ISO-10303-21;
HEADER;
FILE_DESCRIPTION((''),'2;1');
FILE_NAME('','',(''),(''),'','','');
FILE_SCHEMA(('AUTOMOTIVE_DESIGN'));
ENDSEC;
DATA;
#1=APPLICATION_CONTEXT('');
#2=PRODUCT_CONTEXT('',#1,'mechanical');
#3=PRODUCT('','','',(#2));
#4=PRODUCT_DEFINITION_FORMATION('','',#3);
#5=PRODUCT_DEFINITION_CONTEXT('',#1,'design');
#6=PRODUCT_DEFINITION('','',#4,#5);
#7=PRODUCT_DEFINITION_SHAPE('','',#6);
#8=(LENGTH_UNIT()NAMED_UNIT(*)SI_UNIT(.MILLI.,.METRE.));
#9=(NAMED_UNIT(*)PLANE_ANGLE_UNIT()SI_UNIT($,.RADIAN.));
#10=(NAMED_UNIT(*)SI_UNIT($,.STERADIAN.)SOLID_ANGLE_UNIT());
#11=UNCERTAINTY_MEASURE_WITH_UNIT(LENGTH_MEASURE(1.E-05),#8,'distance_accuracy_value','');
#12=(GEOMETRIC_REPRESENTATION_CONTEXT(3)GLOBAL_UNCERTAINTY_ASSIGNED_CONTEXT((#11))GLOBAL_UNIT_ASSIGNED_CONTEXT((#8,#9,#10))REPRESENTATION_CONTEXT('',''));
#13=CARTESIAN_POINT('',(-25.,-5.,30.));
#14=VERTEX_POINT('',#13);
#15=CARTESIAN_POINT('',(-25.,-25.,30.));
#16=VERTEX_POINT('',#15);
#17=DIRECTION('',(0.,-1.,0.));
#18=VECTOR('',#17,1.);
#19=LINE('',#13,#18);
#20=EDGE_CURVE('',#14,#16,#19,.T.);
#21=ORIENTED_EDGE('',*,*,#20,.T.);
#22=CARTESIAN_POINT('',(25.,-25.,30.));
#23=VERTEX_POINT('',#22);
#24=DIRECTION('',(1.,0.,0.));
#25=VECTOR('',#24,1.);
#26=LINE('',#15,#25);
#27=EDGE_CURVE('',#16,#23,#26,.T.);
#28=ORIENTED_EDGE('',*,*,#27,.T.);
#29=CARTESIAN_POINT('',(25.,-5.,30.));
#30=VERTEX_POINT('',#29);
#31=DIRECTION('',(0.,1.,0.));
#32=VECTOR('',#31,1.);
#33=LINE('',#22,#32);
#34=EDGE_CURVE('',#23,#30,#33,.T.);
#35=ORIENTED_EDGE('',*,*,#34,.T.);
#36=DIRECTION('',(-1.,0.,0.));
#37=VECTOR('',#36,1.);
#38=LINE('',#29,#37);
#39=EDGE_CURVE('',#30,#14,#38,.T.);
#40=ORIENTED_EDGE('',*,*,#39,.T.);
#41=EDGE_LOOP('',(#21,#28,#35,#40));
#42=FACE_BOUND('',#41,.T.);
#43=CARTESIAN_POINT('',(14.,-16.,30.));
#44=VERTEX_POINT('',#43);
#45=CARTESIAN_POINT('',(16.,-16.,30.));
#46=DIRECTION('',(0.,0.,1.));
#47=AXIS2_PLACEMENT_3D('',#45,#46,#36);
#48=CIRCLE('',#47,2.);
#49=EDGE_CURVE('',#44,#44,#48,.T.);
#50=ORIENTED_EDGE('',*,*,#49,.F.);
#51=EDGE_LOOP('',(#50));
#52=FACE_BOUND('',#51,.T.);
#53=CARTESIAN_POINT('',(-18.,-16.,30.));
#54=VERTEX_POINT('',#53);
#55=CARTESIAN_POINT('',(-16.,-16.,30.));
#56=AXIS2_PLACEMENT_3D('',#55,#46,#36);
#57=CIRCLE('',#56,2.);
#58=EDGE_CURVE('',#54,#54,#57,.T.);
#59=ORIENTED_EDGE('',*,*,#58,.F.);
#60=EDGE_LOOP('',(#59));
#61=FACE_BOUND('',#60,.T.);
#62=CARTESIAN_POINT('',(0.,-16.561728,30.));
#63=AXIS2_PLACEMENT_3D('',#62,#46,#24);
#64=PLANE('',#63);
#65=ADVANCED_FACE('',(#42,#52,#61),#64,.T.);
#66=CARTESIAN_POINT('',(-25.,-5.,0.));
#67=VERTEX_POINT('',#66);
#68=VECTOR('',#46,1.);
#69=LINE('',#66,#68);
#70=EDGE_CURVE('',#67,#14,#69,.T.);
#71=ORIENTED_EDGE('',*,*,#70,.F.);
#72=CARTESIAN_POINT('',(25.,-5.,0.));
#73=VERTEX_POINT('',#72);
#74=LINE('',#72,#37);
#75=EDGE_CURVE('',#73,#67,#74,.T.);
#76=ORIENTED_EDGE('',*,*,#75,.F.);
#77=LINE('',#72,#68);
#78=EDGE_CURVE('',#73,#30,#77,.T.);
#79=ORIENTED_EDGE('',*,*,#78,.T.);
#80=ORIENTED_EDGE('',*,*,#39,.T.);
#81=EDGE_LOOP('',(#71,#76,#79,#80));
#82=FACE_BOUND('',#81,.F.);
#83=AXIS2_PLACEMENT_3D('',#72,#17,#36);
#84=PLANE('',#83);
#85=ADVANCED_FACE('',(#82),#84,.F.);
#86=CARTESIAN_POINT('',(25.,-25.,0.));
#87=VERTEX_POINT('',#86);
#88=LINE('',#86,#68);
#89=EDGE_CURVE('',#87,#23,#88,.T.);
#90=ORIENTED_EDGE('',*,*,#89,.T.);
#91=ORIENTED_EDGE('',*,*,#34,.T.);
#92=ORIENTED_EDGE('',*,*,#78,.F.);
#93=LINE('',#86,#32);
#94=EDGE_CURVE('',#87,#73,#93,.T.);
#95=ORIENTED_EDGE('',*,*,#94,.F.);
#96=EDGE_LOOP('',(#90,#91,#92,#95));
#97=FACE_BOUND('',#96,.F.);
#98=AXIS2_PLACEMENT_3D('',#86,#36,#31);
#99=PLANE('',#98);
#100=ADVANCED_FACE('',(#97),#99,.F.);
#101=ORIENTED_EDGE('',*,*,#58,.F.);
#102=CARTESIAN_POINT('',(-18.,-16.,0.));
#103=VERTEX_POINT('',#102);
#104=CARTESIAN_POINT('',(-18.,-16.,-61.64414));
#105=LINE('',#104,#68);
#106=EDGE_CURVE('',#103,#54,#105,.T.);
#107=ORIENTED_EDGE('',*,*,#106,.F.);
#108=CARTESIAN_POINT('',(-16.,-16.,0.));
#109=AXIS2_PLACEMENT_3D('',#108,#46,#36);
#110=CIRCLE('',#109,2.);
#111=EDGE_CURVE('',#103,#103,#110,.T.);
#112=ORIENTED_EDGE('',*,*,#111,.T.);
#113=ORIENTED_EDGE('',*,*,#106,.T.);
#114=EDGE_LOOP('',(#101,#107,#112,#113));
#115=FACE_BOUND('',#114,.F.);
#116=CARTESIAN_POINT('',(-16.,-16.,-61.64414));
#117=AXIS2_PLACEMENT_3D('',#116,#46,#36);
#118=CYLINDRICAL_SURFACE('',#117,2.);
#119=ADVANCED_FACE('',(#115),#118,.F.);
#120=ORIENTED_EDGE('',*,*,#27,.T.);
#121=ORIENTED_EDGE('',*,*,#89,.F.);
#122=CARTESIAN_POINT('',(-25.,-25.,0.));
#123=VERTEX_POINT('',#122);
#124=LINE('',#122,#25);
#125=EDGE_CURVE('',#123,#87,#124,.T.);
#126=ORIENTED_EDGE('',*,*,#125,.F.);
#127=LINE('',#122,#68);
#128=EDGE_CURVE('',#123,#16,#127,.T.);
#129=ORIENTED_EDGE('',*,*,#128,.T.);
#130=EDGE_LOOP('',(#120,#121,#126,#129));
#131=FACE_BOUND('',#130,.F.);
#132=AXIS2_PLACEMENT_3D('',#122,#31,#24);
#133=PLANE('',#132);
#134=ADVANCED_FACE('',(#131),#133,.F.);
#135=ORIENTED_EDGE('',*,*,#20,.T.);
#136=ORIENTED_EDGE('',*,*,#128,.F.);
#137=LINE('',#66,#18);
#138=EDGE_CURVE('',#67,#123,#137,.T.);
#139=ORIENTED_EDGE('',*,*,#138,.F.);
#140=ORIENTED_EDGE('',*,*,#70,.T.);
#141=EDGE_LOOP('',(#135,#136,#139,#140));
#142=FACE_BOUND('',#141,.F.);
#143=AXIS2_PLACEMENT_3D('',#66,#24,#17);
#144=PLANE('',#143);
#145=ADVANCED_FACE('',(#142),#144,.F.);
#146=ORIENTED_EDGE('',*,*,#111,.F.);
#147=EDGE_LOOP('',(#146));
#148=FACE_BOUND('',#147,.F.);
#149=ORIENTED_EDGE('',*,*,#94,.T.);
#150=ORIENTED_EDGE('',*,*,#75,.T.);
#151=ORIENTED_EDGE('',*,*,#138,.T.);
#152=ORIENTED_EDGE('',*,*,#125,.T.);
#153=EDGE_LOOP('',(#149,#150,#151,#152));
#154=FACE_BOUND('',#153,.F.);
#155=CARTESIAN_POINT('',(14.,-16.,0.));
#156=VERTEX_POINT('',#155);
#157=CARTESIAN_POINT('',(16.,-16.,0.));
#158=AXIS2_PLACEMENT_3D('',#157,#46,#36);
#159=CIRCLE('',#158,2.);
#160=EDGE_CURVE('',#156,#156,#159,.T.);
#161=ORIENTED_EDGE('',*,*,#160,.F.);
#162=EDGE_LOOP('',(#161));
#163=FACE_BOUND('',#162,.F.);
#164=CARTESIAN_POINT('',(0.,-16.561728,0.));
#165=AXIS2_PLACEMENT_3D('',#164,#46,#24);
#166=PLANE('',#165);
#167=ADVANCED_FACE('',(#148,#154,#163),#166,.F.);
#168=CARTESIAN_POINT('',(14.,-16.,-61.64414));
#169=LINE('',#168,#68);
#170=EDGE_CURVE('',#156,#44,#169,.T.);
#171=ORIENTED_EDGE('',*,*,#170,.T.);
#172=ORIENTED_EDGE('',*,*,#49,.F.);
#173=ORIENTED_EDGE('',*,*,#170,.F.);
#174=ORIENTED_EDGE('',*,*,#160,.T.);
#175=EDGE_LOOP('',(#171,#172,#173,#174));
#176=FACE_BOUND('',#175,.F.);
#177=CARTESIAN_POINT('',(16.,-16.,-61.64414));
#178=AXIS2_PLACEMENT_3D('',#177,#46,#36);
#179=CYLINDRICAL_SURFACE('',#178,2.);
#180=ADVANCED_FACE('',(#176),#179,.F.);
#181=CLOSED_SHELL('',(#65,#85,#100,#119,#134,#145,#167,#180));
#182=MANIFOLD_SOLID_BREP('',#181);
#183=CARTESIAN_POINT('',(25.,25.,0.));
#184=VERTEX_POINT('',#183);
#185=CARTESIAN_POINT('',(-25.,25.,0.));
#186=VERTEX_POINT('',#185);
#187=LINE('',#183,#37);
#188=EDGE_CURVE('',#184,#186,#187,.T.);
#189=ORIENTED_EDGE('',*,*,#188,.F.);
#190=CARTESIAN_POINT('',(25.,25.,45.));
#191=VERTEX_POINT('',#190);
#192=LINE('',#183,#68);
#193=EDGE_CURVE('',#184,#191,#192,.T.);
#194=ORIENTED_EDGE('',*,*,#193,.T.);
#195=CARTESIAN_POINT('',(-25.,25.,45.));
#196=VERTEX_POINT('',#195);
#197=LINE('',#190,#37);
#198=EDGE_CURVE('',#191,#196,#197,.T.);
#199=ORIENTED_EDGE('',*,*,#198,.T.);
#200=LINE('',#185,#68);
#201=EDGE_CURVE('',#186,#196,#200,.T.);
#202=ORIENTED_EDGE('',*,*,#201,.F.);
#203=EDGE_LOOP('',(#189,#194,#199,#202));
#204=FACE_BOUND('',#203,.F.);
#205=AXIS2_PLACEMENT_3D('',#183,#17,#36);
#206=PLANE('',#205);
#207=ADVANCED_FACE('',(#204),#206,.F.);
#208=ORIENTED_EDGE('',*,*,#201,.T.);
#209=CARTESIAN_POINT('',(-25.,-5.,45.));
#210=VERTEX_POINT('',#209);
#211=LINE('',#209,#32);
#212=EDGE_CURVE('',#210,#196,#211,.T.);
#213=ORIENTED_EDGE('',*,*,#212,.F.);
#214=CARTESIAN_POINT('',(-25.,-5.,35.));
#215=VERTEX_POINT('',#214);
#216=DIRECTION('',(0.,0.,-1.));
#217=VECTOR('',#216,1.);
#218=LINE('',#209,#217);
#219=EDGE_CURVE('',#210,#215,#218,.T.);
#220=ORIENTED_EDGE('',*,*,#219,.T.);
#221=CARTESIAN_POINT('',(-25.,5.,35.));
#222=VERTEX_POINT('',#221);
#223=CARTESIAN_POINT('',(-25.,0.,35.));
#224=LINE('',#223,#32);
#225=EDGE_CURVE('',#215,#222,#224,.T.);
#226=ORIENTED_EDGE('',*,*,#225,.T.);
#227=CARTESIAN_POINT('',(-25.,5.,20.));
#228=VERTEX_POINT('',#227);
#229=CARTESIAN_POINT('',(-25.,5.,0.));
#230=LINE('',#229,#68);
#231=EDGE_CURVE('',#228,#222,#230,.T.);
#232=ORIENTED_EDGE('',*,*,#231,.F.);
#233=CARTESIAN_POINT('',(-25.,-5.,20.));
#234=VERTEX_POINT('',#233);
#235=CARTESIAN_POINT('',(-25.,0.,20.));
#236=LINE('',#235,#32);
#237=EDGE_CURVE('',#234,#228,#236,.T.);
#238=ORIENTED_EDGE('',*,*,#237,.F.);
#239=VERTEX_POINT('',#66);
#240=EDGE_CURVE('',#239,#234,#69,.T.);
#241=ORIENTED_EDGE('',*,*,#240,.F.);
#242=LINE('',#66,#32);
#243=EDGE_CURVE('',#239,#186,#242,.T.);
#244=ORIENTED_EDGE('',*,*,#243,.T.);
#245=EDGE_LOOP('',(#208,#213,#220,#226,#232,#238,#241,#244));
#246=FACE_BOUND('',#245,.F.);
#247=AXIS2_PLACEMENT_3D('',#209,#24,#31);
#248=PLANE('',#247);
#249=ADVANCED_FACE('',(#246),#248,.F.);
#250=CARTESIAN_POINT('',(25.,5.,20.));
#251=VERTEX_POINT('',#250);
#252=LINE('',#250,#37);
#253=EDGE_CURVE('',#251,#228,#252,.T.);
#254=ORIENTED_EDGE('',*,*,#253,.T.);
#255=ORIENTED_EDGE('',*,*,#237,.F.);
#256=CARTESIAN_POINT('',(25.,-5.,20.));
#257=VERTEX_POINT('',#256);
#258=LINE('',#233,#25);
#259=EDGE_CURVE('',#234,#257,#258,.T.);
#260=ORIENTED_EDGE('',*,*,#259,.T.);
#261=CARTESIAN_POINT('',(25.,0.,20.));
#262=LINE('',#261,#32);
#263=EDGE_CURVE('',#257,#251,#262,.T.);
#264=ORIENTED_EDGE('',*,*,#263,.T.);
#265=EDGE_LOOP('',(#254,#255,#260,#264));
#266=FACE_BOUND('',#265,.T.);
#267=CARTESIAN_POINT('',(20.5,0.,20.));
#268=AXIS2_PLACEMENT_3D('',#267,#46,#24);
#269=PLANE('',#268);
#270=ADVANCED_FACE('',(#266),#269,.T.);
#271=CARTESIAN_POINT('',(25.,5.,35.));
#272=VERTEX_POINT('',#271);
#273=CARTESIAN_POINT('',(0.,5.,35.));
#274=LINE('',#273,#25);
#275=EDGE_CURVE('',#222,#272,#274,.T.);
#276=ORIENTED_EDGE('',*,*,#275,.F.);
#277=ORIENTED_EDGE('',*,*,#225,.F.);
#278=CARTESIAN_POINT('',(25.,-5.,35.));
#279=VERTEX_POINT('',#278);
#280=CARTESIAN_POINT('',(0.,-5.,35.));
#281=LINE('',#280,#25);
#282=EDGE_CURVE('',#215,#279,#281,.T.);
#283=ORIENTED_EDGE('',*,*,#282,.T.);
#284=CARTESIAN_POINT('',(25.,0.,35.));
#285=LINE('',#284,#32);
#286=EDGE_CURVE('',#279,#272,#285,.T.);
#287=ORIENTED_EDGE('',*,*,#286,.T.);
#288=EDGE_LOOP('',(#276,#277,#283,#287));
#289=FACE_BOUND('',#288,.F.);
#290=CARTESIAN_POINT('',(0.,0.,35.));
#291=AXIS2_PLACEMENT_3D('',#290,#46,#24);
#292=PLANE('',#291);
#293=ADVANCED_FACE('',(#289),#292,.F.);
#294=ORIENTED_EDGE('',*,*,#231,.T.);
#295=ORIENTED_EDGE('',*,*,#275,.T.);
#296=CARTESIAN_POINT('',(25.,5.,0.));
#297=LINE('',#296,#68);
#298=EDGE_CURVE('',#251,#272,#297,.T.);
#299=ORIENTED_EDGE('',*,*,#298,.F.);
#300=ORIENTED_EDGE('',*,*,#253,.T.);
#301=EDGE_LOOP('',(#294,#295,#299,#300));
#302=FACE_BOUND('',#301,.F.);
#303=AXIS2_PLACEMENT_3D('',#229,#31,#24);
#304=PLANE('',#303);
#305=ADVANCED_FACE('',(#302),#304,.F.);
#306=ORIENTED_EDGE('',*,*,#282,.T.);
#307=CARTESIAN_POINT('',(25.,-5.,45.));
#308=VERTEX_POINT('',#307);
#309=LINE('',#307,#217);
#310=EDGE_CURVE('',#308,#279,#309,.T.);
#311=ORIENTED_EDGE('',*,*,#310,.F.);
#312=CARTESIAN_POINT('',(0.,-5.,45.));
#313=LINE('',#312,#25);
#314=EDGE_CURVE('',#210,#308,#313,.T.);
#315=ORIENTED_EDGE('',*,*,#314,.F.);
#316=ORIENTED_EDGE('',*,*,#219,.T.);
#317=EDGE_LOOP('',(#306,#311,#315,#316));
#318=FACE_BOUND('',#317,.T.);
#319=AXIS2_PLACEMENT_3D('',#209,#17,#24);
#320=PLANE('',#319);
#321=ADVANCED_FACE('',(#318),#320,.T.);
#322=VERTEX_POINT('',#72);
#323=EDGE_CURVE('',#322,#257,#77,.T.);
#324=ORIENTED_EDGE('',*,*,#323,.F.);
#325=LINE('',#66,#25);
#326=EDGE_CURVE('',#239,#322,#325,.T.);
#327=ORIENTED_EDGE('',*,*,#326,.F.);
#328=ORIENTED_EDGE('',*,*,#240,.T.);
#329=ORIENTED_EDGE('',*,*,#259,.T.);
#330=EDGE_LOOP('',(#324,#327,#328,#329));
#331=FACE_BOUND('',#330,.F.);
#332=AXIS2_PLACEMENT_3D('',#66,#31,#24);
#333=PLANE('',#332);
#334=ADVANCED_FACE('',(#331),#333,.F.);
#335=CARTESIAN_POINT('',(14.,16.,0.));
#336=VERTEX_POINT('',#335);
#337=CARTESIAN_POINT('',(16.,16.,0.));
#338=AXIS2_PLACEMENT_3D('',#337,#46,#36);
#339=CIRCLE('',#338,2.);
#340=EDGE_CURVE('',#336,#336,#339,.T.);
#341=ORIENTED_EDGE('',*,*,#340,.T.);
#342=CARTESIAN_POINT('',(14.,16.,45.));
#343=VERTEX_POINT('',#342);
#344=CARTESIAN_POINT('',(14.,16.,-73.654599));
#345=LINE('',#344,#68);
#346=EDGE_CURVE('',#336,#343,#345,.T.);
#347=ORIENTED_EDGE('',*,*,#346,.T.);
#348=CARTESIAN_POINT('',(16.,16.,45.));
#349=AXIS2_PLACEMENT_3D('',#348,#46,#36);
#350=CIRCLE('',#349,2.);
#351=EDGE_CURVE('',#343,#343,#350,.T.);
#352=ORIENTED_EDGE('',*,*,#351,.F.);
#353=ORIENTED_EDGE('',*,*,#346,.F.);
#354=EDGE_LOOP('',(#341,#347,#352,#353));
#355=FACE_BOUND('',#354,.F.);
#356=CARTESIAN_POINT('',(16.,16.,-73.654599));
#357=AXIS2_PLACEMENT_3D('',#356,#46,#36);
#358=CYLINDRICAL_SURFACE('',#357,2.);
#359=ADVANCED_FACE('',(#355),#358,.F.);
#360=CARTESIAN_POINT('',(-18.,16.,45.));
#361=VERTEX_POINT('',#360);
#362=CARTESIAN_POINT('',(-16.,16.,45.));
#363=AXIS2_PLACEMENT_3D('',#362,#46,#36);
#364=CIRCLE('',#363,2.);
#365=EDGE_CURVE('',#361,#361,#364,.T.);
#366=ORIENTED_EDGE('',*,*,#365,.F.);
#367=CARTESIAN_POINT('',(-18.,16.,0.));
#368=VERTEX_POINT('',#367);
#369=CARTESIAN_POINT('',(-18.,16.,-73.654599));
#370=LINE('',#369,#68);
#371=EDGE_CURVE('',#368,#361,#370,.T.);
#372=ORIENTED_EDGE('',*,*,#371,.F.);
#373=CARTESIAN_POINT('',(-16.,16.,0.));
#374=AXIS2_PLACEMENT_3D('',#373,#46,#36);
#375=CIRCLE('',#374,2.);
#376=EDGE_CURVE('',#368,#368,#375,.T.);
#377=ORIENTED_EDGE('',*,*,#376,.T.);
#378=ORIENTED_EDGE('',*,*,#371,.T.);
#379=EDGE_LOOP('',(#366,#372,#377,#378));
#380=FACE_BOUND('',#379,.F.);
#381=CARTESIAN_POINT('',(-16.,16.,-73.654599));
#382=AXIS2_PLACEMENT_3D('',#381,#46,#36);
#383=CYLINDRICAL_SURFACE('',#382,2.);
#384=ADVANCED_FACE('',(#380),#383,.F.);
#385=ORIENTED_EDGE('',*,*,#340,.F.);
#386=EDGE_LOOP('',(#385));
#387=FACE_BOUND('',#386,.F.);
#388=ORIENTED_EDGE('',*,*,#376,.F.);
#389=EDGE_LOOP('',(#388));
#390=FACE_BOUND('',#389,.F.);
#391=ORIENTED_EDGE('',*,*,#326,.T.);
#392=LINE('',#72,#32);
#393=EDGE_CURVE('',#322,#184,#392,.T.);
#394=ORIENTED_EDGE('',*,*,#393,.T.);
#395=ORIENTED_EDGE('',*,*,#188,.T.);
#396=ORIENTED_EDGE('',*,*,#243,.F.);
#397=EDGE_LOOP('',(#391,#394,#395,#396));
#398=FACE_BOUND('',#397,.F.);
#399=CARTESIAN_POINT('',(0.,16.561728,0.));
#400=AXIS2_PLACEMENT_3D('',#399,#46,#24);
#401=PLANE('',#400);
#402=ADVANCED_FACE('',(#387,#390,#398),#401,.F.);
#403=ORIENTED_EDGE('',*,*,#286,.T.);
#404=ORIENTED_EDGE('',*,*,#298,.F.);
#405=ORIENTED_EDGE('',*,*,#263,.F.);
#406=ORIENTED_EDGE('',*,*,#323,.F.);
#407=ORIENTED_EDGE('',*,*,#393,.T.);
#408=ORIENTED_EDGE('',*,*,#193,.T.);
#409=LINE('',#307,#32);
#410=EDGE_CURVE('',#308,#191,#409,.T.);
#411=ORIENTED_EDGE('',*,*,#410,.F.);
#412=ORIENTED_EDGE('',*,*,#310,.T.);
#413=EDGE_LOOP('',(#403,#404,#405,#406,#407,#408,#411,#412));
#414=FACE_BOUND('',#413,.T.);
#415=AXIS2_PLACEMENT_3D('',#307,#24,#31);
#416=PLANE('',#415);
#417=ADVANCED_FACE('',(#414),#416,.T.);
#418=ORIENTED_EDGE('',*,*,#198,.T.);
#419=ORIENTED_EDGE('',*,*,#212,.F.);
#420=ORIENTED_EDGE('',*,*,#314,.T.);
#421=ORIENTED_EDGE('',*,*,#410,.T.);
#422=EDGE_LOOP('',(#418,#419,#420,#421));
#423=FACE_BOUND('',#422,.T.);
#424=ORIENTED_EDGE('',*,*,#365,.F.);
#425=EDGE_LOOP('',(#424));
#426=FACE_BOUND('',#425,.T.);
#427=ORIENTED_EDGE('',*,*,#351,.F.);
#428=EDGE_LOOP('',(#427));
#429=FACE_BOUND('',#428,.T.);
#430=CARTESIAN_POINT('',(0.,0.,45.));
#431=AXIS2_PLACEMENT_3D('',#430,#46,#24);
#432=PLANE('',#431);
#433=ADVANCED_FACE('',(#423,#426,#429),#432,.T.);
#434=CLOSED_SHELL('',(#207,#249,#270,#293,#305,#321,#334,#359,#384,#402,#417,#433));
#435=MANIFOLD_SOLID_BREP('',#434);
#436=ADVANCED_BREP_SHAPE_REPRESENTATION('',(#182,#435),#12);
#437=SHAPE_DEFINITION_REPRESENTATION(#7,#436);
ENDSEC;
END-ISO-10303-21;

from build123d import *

# Parameters (mm, degrees)
F0_W     = 32
F0_H     = 11
F1_DEPTH = 30
F0_W_2   = 9
F0_H_2   = 10
F2_DEPTH = 20
F3_D     = 4
F4_DEPTH = 45
F5_W     = 50
F5_H     = 10
F6_DEPTH = 10
F7_D     = 4


with BuildPart() as f1:
    # F0 (on Top) → F1 (new body)
    with BuildSketch(Plane.XY):
        Polygon((25, -25), (25, -5), (16, -5), (16, -16), (-16, -16), (-16, -5), (-25, -5), (-25, -25), align=None)
        with Locations((0, -10.5)):
            Rectangle(F0_W, F0_H)
    extrude(amount=F1_DEPTH)

    # F3 (through all)
    with Locations(Plane(origin=(0, 0, 0), x_dir=(1, 0, 0), z_dir=(0, 0, -1))):
        with Locations((-16, -16), (-16, 16), (16, -16), (16, 16)):
            Hole(F3_D / 2)


with BuildPart() as f2:
    # F0 (on Top) → F2 (new body)
    with BuildSketch(Plane.XY):
        with Locations((20.5, 0)):
            Rectangle(F0_W_2, F0_H_2)
        Rectangle(F0_W, F0_H_2)
        with Locations((-20.5, 0)):
            Rectangle(F0_W_2, F0_H_2)
    extrude(amount=F2_DEPTH)

    # F0 (on Top) → F4 (join)
    with BuildSketch(Plane.XY):
        Polygon((25, 5), (25, 25), (-25, 25), (-25, 5), (-16, 5), (-16, 16), (16, 16), (16, 5), align=None)
        with Locations((0, 10.5)):
            Rectangle(F0_W, F0_H)
    extrude(amount=F4_DEPTH)

    # F5 (on face) → F6 (join)
    with BuildSketch(Plane.XY.offset(45)):
        Rectangle(F5_W, F5_H)
    extrude(amount=-F6_DEPTH)

    # F7 (through all)
    with Locations(Plane(origin=(0, 0, 0), x_dir=(1, 0, 0), z_dir=(0, 0, -1))):
        with Locations((-16, -16), (16, -16)):
            Hole(F7_D / 2)


solid = Compound([f1.part, f2.part])
